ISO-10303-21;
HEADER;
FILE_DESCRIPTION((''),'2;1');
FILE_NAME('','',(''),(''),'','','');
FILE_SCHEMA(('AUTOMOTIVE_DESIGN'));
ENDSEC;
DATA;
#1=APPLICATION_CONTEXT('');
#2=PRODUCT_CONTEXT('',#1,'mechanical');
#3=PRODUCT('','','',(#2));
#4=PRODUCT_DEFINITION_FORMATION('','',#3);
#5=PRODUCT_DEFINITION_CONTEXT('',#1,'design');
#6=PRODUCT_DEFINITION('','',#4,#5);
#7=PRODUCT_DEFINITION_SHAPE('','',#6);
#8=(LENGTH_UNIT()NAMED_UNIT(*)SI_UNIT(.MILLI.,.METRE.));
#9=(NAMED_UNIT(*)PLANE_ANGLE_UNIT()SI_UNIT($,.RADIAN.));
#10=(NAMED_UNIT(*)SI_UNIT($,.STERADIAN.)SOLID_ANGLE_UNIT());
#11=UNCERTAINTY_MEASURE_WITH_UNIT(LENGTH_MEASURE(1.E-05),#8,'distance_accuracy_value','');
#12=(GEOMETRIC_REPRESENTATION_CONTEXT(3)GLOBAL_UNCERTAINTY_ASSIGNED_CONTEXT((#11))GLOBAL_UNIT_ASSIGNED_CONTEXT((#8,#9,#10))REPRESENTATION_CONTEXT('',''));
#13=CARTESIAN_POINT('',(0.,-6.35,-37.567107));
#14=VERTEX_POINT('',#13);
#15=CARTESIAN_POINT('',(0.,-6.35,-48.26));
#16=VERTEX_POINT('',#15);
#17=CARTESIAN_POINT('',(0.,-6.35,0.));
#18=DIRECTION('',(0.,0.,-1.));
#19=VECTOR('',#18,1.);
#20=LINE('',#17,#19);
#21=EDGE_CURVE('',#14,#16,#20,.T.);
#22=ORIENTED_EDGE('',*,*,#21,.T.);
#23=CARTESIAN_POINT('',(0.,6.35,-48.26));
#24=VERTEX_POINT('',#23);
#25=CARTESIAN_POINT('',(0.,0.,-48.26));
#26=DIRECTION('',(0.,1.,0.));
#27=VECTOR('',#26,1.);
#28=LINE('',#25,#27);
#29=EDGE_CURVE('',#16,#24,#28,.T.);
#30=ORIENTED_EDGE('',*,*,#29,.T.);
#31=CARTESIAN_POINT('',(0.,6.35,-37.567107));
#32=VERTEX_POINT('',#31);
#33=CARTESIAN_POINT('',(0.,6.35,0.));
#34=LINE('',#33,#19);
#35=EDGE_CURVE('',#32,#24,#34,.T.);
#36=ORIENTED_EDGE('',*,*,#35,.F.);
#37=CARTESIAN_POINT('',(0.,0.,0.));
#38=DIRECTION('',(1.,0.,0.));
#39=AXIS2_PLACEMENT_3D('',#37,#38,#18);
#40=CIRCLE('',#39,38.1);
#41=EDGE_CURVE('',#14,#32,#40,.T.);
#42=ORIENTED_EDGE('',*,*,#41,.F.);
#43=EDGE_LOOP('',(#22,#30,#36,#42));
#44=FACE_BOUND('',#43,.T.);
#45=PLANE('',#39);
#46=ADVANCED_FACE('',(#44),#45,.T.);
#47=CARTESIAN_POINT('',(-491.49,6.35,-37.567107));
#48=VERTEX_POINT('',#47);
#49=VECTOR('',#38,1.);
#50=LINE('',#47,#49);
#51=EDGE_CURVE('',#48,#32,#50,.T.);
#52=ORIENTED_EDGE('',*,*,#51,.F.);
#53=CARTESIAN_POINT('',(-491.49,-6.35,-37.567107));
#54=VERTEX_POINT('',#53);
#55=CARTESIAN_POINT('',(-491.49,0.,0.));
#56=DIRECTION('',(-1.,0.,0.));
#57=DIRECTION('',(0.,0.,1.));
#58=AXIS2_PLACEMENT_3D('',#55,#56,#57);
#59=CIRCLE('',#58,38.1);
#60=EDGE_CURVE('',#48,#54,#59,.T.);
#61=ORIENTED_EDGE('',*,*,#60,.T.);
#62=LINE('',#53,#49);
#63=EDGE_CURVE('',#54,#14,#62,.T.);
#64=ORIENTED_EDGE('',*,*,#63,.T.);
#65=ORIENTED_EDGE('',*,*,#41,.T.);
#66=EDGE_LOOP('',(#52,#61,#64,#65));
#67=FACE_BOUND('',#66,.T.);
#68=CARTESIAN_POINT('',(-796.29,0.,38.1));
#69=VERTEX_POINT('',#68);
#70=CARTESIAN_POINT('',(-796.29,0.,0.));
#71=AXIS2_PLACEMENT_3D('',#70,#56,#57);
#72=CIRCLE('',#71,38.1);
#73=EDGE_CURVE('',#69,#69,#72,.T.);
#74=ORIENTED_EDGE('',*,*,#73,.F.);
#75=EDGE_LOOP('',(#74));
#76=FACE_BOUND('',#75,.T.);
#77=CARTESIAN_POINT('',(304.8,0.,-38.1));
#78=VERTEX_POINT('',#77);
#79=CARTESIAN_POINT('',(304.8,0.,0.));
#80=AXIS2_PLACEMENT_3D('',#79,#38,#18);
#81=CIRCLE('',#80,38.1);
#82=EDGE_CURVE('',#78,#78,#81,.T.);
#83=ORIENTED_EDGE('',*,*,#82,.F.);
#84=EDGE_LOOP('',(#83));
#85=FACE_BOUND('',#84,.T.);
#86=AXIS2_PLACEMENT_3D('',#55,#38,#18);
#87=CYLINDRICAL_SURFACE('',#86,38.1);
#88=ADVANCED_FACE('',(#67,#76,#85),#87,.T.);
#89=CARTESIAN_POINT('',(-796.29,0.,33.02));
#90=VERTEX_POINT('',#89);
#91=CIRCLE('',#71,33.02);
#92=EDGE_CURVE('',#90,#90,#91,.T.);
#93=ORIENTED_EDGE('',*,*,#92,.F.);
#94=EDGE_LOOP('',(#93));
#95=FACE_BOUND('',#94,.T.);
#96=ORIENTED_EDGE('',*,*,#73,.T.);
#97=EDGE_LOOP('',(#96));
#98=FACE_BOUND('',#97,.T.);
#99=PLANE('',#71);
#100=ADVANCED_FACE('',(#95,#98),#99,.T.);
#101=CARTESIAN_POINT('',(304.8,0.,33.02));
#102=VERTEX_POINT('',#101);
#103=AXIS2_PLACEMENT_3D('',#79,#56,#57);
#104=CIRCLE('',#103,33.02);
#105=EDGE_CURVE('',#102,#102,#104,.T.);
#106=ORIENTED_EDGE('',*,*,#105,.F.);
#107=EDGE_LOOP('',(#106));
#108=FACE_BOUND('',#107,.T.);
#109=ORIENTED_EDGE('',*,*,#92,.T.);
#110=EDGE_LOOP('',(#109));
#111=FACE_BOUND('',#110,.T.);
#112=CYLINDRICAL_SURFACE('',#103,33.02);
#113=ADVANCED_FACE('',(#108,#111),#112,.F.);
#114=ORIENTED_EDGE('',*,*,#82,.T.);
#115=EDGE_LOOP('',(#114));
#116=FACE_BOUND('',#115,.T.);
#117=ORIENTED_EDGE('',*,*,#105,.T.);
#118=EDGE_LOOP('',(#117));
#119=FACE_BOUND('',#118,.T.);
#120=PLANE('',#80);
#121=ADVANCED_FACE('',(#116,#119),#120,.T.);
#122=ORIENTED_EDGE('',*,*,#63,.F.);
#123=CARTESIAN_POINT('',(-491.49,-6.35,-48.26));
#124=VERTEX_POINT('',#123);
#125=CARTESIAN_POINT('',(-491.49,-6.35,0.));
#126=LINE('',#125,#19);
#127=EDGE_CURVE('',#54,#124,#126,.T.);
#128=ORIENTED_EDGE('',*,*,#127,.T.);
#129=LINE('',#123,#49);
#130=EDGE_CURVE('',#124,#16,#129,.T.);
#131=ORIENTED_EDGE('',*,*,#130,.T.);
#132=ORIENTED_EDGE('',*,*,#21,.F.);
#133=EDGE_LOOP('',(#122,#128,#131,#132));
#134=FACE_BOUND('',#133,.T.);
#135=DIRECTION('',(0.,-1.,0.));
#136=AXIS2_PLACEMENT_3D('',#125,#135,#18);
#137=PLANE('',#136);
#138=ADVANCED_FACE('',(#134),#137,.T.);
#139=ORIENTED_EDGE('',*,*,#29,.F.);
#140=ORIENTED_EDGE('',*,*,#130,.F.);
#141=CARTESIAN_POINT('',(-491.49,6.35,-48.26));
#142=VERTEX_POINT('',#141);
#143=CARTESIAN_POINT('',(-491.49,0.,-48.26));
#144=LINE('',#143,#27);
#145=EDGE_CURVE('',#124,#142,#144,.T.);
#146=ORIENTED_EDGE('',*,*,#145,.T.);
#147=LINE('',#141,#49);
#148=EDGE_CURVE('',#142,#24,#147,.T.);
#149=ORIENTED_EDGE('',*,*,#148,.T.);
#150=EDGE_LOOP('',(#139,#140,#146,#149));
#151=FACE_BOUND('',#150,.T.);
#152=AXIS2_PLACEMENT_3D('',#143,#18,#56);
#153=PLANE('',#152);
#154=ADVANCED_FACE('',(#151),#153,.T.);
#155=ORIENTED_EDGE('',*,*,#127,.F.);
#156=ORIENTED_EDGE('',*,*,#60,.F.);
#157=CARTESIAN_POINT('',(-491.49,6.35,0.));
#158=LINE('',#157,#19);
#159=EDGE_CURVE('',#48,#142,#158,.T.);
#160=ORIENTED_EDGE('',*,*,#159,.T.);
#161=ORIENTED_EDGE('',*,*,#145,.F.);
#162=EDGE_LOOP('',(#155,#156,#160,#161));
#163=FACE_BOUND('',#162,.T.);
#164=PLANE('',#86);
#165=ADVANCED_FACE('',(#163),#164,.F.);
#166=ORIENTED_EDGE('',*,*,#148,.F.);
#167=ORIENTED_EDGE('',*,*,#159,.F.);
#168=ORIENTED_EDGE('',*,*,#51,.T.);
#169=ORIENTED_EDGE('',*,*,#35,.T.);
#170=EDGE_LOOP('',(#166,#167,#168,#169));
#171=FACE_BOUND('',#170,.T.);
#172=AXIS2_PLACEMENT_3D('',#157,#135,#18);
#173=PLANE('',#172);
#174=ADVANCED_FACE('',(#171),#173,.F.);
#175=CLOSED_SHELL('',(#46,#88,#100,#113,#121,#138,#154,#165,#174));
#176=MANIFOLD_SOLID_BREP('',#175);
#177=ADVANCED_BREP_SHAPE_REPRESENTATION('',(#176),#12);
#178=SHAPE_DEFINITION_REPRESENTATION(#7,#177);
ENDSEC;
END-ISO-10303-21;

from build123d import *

# Parameters (mm, degrees)
BOSS_EXTRUDE1_DEPTH = 491.49
SKETCH2_R           = 38.1
BOSS_EXTRUDE2_DEPTH = 304.8
SKETCH3_R           = 38.1
BOSS_EXTRUDE3_DEPTH = 304.8
SKETCH4_R           = 33.02
CUT_EXTRUDE1_DEPTH  = 1102.09


with BuildPart() as part:
    # Sketch1 → Boss-Extrude1 (new body)
    with BuildSketch(Plane(origin=(0, 0, 0), x_dir=(0, 0, -1), z_dir=(1, 0, 0))):
        with BuildLine():
            Line((27.94, 6.35), (27.94, -6.35))
            Line((27.94, -6.35), (37.567106623, -6.35))
            ThreePointArc((37.567106623, -6.35), (37.966542918, -3.186160517), (38.1, 0))
            ThreePointArc((38.1, 0), (37.966542918, 3.186160517), (37.567106623, 6.35))
            Line((37.567106623, 6.35), (27.94, 6.35))
        make_face()
        with BuildLine():
            Line((37.567106623, -6.35), (27.94, -6.35))
            Line((27.94, -6.35), (27.94, 6.35))
            Line((27.94, 6.35), (37.567106623, 6.35))
            ThreePointArc((37.567106623, 6.35), (-38.1, 0), (37.567106623, -6.35))
        make_face()
        with BuildLine():
            ThreePointArc((38.1, 0), (37.966542918, -3.186160517), (37.567106623, -6.35))
            Line((37.567106623, -6.35), (48.26, -6.35))
            Line((48.26, -6.35), (48.26, 6.35))
            Line((48.26, 6.35), (37.567106623, 6.35))
            ThreePointArc((37.567106623, 6.35), (37.966542918, 3.186160517), (38.1, 0))
        make_face()
    extrude(amount=-BOSS_EXTRUDE1_DEPTH)

    # Sketch2 → Boss-Extrude2 (add)
    with BuildSketch(Plane(origin=(0, 0, 0), x_dir=(0, 0, -1), z_dir=(1, 0, 0))):
        Circle(SKETCH2_R)
    extrude(amount=BOSS_EXTRUDE2_DEPTH)

    # Sketch3 → Boss-Extrude3 (add)
    with BuildSketch(Plane.ZY.offset(491.49)):
        Circle(SKETCH3_R)
    extrude(amount=BOSS_EXTRUDE3_DEPTH)

    # Sketch4 → Cut-Extrude1 (cut, through all)
    with BuildSketch(Plane.ZY.offset(796.29)):
        Circle(SKETCH4_R)
    extrude(amount=-CUT_EXTRUDE1_DEPTH, mode=Mode.SUBTRACT)


solid = part.part
